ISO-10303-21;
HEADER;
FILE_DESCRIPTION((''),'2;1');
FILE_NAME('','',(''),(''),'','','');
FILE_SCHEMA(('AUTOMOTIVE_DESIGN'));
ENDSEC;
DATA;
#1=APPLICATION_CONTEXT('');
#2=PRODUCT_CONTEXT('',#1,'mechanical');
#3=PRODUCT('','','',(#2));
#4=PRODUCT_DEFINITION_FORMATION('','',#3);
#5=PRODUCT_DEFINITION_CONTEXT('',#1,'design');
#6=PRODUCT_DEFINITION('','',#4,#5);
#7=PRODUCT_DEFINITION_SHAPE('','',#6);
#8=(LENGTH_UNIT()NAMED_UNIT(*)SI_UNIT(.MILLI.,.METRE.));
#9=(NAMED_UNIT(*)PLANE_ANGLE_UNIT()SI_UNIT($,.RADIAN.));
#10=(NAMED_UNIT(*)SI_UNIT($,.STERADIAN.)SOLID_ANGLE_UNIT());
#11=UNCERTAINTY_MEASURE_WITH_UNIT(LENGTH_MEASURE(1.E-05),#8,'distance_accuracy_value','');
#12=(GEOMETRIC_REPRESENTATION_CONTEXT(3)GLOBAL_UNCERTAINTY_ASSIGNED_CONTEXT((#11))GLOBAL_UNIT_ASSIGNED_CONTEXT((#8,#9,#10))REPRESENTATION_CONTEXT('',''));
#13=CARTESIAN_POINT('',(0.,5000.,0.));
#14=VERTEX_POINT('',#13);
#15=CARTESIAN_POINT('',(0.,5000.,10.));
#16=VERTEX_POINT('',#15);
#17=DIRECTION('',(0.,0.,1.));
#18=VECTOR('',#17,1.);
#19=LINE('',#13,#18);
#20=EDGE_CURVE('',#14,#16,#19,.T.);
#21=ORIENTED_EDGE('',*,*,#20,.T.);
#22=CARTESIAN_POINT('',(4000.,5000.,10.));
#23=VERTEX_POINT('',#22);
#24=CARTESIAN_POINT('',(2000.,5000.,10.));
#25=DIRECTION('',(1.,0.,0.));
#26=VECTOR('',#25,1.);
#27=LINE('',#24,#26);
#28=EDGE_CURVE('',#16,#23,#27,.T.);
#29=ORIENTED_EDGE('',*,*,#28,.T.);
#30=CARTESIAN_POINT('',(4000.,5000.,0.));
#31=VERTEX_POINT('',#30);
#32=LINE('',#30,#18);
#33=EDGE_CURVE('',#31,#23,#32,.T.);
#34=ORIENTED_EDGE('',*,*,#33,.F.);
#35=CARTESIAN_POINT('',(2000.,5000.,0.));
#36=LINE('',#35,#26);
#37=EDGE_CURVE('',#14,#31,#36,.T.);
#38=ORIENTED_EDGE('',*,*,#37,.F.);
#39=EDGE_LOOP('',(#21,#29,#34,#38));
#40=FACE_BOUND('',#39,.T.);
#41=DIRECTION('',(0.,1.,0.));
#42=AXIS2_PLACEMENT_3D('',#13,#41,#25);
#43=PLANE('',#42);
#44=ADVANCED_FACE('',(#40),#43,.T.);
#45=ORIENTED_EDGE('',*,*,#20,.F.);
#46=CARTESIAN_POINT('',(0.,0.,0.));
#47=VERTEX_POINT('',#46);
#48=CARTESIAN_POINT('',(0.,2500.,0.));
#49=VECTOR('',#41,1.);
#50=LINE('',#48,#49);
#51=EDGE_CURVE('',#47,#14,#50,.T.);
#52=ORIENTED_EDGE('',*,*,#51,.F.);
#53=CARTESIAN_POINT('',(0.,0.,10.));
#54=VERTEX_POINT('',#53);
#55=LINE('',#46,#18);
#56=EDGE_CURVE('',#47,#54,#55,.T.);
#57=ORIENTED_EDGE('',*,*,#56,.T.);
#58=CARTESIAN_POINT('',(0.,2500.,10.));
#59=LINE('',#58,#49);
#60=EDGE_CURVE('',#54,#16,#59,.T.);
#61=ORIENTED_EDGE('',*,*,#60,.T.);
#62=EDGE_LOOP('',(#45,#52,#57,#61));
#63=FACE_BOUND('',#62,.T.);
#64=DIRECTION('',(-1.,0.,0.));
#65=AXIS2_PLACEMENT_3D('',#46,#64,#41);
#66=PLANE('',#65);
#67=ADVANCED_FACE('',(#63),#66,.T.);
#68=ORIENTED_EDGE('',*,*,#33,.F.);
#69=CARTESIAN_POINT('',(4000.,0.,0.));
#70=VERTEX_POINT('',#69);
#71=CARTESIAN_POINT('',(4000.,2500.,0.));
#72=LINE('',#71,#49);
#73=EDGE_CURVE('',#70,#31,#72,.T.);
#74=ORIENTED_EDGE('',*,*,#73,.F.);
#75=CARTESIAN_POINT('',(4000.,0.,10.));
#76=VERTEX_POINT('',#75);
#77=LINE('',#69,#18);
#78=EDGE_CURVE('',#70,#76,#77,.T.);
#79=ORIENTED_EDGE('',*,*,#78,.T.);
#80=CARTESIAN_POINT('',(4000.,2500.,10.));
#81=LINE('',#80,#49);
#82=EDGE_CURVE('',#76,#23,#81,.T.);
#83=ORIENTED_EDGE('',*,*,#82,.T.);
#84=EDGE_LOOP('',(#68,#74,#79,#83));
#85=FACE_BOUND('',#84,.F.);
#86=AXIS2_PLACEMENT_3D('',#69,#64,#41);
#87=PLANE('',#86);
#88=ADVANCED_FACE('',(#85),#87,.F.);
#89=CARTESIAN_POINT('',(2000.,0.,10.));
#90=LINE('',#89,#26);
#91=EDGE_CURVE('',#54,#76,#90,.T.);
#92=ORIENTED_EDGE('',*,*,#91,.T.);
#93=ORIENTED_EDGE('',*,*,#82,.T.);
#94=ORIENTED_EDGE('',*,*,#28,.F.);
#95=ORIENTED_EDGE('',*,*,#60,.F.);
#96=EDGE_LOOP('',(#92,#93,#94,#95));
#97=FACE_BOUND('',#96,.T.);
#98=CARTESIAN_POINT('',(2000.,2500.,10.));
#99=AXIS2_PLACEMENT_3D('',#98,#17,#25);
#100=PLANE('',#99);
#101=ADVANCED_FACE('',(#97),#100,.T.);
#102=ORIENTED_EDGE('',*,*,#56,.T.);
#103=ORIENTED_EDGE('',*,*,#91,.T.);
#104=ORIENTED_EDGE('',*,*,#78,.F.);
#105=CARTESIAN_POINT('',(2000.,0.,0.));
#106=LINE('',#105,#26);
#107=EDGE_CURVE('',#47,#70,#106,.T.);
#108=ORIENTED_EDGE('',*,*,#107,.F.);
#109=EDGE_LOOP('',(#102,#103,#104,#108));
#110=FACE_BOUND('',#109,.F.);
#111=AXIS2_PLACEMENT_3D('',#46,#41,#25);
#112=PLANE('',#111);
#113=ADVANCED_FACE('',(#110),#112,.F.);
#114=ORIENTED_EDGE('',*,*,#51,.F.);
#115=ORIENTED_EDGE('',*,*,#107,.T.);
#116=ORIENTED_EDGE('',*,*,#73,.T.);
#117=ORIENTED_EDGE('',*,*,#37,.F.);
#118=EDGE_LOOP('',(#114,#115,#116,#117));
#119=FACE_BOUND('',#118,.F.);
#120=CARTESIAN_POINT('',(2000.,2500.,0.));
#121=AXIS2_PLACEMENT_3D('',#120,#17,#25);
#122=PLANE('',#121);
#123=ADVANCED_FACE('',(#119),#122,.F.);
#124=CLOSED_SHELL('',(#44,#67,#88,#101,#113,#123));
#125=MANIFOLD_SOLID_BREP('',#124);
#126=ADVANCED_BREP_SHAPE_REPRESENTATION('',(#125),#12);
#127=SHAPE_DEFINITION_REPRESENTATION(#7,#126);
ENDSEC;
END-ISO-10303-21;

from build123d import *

# Parameters (mm, degrees)
BOX_W     = 4000
BOX_H     = 5000
BOX_DEPTH = 10


with BuildPart() as part:
    # Box → Box (new body)
    with BuildSketch(Plane.XY):
        with Locations((2000, 2500)):
            Rectangle(BOX_W, BOX_H)
    extrude(amount=BOX_DEPTH)


solid = part.part
